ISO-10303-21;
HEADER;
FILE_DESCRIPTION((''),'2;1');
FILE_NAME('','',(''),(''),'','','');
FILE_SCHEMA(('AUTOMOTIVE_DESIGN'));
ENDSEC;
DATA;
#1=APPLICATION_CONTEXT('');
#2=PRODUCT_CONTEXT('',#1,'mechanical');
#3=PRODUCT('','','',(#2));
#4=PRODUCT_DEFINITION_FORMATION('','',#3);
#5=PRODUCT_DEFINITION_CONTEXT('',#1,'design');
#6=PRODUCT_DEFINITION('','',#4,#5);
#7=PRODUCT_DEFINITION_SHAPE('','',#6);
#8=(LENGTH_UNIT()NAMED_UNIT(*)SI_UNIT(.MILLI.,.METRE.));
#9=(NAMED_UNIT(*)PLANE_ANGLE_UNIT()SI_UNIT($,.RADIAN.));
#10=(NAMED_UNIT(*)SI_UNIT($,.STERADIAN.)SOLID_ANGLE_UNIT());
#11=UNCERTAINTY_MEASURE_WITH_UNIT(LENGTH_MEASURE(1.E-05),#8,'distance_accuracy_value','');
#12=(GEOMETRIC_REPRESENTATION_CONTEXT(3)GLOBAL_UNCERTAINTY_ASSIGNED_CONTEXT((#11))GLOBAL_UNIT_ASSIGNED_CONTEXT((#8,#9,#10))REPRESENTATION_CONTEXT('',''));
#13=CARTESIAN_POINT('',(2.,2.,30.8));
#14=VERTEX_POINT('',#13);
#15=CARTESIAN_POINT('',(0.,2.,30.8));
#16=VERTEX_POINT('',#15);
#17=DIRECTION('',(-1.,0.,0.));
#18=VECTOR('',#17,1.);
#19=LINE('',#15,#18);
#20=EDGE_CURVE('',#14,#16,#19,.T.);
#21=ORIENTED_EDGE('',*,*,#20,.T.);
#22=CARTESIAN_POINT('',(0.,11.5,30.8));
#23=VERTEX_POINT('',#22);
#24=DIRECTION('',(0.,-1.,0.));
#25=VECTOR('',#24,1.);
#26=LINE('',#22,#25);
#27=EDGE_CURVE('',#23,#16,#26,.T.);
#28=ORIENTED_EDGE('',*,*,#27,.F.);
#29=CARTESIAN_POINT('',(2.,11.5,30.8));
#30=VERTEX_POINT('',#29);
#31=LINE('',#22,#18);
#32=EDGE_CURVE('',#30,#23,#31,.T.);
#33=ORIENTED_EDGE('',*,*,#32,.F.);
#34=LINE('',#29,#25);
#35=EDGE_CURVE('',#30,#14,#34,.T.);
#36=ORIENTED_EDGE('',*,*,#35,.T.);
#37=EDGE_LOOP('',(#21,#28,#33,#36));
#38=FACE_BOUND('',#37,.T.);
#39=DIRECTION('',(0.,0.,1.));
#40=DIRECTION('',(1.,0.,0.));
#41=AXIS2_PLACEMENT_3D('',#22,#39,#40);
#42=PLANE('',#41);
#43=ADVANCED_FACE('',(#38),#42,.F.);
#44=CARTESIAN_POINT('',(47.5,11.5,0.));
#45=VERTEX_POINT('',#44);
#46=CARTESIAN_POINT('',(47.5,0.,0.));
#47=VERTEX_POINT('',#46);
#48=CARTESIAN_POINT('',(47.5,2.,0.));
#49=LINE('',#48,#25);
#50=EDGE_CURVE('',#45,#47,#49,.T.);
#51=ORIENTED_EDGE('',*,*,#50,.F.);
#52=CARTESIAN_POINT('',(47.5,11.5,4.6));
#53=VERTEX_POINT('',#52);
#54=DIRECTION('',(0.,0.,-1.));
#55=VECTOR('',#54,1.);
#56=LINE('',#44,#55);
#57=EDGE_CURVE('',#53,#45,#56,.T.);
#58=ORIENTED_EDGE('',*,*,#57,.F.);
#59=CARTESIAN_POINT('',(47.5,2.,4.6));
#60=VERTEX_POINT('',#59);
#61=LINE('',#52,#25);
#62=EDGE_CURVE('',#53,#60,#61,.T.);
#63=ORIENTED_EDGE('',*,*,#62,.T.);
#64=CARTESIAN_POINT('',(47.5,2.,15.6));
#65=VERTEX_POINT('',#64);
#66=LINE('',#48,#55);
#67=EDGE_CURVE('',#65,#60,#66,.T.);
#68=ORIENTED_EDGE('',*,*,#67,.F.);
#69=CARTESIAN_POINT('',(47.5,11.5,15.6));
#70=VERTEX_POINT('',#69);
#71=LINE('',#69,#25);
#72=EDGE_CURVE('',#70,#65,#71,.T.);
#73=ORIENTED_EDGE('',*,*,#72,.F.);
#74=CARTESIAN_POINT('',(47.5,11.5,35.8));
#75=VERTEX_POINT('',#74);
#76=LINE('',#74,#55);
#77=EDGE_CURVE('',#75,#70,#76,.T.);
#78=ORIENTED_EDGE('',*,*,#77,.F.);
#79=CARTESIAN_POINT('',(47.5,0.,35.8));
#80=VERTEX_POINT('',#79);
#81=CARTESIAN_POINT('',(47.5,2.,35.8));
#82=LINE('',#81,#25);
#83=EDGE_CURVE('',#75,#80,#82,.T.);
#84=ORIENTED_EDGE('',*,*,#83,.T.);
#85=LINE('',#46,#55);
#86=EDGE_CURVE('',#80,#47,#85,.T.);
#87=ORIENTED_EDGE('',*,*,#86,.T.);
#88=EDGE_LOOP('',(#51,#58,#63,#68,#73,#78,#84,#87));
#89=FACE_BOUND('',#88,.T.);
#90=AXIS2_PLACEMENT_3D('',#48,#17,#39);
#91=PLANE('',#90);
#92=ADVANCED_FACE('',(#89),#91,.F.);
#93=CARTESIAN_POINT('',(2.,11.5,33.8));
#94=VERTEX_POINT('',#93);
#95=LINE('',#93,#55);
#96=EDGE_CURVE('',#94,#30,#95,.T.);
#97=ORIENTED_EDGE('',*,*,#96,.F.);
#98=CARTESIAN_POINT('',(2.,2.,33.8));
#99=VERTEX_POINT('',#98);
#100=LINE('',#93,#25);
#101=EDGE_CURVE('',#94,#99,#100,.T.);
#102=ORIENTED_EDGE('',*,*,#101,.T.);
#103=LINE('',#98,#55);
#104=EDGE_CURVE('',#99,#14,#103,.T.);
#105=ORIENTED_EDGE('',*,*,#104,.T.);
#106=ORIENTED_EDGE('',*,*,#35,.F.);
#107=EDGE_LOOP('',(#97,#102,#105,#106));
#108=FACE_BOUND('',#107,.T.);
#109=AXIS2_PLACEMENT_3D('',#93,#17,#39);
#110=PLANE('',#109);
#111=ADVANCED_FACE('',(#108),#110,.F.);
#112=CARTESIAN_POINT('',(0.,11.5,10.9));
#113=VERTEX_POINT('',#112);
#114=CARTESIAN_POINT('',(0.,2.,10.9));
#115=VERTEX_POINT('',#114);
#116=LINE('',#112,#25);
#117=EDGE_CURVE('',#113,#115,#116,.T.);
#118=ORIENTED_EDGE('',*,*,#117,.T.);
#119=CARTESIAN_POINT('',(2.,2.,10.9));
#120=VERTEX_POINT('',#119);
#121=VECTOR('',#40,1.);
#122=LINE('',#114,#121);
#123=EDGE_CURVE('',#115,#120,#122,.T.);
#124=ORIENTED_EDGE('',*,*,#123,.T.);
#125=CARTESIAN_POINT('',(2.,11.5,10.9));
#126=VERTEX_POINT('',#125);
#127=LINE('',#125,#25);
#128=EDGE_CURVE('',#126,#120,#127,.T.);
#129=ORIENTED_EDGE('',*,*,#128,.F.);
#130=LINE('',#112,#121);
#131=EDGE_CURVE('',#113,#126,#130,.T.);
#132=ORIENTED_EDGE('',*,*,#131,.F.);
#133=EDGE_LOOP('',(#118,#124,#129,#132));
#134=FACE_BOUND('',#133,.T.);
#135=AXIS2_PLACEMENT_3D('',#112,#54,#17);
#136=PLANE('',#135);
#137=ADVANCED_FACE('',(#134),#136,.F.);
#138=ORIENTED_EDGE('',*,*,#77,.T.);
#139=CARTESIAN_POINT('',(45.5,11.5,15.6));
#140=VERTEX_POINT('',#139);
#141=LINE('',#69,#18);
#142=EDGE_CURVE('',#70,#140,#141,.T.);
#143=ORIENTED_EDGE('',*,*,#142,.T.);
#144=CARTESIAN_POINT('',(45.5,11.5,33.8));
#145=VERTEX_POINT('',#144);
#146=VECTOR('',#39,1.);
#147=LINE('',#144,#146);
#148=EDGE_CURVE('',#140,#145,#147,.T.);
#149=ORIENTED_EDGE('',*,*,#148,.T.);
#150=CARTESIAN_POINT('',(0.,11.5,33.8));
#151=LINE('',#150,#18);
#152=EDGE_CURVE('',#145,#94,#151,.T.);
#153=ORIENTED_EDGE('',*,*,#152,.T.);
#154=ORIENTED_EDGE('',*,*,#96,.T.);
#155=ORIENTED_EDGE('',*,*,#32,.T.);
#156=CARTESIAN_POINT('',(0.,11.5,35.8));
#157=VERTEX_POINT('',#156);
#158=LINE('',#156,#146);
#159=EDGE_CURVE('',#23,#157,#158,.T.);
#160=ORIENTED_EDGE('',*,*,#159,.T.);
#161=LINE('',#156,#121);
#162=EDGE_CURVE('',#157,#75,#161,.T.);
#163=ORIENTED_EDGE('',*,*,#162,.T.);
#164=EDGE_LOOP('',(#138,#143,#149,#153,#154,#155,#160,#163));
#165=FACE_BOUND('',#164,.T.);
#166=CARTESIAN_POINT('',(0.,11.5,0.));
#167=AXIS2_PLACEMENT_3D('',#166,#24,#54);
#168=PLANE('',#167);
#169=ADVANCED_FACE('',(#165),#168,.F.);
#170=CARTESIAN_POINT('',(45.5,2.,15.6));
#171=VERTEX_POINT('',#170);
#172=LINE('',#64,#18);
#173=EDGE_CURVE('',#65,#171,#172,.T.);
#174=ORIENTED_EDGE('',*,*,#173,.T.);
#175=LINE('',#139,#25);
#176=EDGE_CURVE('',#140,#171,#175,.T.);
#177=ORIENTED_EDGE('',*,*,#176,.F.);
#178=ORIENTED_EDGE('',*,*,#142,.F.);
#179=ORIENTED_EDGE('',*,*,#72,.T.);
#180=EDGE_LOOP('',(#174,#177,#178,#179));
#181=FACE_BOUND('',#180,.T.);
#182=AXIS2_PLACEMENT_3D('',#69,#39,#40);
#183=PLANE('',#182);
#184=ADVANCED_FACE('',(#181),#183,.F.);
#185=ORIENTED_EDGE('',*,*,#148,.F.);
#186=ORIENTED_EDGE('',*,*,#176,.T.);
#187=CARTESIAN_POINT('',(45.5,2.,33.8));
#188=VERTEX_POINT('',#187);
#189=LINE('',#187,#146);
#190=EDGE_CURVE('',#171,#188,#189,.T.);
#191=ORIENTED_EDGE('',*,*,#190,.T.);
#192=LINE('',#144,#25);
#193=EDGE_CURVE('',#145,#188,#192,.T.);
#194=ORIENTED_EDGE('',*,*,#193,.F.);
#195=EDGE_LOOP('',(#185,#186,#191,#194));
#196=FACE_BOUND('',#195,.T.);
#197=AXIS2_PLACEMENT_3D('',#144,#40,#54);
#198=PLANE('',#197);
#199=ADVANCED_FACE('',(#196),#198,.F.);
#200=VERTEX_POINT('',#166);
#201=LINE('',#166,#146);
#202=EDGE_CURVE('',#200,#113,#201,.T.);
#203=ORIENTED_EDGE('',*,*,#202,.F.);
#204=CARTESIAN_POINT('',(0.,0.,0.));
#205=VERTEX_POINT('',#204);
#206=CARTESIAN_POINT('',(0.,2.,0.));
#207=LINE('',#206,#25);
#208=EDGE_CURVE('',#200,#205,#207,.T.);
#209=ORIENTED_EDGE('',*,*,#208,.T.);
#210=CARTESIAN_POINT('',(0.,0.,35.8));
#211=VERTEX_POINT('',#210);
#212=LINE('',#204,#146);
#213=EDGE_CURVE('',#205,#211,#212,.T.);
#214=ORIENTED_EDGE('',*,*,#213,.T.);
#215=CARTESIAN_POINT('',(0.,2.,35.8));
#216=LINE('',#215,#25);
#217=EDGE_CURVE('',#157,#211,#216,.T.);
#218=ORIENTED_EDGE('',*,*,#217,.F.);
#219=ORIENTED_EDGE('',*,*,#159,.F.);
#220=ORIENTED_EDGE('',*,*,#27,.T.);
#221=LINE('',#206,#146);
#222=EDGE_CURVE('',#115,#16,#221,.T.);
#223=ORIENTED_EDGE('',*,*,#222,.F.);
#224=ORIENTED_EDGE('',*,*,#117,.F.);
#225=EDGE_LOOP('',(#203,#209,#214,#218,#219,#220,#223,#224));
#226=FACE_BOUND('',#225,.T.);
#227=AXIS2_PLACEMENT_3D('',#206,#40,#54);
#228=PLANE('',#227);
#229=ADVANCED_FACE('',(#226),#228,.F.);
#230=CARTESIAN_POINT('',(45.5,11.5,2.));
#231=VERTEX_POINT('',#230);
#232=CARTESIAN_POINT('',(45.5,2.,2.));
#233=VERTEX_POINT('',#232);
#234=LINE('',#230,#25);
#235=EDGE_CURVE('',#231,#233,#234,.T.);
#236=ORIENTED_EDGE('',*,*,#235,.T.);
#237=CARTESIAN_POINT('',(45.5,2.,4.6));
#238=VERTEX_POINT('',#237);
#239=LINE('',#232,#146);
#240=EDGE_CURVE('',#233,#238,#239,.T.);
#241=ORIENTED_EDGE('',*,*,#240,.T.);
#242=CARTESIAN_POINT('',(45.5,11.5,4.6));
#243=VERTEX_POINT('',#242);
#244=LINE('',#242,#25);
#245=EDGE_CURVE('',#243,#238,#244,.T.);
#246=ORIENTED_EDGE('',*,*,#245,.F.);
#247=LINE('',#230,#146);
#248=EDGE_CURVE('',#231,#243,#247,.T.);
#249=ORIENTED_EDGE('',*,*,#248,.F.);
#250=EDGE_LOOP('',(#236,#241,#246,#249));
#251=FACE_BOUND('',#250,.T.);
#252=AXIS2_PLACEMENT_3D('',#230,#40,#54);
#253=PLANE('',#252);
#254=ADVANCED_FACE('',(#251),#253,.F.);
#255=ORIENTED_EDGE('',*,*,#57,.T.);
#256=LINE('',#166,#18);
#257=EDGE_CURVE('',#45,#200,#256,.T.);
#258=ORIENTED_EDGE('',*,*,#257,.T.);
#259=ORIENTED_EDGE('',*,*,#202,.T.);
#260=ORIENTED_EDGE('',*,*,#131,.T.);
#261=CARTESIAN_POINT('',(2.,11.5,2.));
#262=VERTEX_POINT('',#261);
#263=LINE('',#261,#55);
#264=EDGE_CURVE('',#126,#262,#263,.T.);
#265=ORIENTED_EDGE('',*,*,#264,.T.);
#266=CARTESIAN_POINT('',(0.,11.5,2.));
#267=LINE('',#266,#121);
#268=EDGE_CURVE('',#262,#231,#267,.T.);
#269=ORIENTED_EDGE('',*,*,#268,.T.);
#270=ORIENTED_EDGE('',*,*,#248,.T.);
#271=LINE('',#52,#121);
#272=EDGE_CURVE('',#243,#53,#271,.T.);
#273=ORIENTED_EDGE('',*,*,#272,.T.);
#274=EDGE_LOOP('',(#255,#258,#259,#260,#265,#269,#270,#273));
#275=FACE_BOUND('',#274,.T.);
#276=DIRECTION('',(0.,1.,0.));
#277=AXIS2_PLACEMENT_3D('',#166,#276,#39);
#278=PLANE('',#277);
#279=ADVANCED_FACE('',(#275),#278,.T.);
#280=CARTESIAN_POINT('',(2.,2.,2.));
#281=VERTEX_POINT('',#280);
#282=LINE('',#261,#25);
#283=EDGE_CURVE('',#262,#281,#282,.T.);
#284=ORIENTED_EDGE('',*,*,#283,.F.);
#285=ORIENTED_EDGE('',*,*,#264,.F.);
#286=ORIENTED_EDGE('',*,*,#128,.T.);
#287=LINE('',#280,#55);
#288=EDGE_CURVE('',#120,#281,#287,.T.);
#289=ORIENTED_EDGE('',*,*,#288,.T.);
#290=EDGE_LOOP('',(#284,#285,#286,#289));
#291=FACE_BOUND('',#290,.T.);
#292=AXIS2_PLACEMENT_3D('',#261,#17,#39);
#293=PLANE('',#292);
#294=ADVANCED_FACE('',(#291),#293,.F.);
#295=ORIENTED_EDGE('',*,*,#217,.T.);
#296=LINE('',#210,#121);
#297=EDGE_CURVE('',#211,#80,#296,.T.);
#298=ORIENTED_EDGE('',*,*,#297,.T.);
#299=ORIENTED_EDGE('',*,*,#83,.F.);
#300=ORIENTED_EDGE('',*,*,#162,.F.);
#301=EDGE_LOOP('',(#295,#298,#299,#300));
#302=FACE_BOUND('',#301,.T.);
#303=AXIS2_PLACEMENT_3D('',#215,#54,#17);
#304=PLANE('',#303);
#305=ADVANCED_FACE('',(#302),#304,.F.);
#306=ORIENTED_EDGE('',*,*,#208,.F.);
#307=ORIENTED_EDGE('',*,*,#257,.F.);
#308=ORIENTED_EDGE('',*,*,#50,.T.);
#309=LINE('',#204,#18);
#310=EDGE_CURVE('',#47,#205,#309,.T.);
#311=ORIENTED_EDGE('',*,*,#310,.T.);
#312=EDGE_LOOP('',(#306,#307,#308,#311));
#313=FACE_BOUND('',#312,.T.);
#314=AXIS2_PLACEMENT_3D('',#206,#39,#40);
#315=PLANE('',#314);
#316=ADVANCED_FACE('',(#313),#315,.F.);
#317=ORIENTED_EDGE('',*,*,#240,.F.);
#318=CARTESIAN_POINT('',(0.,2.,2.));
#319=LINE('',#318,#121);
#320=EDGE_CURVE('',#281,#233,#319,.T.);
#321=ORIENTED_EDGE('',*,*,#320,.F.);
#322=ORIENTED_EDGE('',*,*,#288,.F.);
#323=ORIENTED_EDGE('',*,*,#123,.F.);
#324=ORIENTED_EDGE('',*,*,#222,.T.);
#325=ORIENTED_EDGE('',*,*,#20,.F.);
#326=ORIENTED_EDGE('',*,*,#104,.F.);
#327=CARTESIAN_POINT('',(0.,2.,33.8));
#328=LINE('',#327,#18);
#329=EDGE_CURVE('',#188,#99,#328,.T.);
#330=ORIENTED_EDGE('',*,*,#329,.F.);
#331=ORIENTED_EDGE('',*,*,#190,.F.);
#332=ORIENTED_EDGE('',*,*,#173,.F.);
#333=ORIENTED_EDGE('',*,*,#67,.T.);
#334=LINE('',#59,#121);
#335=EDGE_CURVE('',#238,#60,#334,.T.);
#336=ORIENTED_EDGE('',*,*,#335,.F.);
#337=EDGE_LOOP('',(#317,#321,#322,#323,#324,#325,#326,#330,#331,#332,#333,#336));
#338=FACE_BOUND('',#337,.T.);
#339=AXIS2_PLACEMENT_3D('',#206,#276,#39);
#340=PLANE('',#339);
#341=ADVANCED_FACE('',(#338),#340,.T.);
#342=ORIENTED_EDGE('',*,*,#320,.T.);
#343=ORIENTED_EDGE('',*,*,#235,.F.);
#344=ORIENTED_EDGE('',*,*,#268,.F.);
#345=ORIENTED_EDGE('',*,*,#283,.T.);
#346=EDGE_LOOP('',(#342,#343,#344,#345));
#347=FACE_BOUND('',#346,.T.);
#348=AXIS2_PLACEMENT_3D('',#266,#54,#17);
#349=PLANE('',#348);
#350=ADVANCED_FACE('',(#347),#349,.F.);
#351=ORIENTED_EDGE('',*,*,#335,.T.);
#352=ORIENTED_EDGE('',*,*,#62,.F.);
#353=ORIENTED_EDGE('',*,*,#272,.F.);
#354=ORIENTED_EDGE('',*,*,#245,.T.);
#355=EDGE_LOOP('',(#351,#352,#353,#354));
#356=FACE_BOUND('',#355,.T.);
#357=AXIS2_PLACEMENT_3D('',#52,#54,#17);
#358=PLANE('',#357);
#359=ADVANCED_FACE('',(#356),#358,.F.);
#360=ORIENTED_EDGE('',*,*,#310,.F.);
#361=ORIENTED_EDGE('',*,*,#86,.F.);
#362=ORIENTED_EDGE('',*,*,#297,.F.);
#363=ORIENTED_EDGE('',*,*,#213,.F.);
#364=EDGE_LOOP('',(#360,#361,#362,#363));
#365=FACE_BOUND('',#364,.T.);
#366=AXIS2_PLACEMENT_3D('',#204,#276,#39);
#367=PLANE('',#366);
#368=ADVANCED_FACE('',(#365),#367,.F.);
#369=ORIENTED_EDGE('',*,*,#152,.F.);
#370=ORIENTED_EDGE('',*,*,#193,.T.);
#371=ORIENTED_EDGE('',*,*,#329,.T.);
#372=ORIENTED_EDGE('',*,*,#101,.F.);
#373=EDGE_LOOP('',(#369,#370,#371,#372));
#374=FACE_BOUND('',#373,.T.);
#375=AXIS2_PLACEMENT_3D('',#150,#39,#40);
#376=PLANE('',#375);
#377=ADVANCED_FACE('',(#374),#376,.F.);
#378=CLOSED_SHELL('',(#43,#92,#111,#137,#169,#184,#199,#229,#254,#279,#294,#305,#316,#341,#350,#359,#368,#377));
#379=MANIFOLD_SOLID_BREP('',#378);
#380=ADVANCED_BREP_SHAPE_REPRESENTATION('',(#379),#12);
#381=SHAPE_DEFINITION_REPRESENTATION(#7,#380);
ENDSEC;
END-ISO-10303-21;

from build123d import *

# Parameters (mm, degrees)
ESQUISSE1_W        = 47.5
ESQUISSE1_H        = 35.8
BOSS_EXTRU_2_DEPTH = 2
ESQUISSE2_W        = 47.5
ESQUISSE2_H        = 2
BOSS_EXTRU_3_DEPTH = 9.5
ESQUISSE3_W        = 47.5
ESQUISSE3_H        = 2
BOSS_EXTRU_4_DEPTH = 9.5
ESQUISSE4_W        = 2
ESQUISSE4_H        = 2.6
BOSS_EXTRU_5_DEPTH = 9.5
ESQUISSE5_W        = 2
ESQUISSE5_H        = 18.2
BOSS_EXTRU_6_DEPTH = 9.5
ESQUISSE6_W        = 2
ESQUISSE6_H        = 8.9
BOSS_EXTRU_7_DEPTH = 9.5
ESQUISSE8_W        = 2
ESQUISSE8_H        = 3
BOSS_EXTRU_8_DEPTH = 9.5


with BuildPart() as part:
    # Esquisse1 → Boss.-Extru.2 (new body)
    with BuildSketch(Plane(origin=(0, 0, 0), x_dir=(1, 0, 0), z_dir=(0, 1, 0))):
        with Locations((23.75, -17.9)):
            Rectangle(ESQUISSE1_W, ESQUISSE1_H)
    extrude(amount=BOSS_EXTRU_2_DEPTH)

    # Esquisse2 → Boss.-Extru.3 (add)
    with BuildSketch(Plane(origin=(0, 2, 0), x_dir=(1, 0, 0), z_dir=(0, 1, 0))):
        with Locations((23.75, -34.8)):
            Rectangle(ESQUISSE2_W, ESQUISSE2_H)
    extrude(amount=BOSS_EXTRU_3_DEPTH)

    # Esquisse3 → Boss.-Extru.4 (add)
    with BuildSketch(Plane(origin=(0, 2, 0), x_dir=(1, 0, 0), z_dir=(0, 1, 0))):
        with Locations((23.75, -1)):
            Rectangle(ESQUISSE3_W, ESQUISSE3_H)
    extrude(amount=BOSS_EXTRU_4_DEPTH)

    # Esquisse4 → Boss.-Extru.5 (add)
    with BuildSketch(Plane(origin=(0, 2, 0), x_dir=(1, 0, 0), z_dir=(0, 1, 0))):
        with Locations((46.5, -3.3)):
            Rectangle(ESQUISSE4_W, ESQUISSE4_H)
    extrude(amount=BOSS_EXTRU_5_DEPTH)

    # Esquisse5 → Boss.-Extru.6 (add)
    with BuildSketch(Plane(origin=(0, 2, 0), x_dir=(1, 0, 0), z_dir=(0, 1, 0))):
        with Locations((46.5, -24.7)):
            Rectangle(ESQUISSE5_W, ESQUISSE5_H)
    extrude(amount=BOSS_EXTRU_6_DEPTH)

    # Esquisse6 → Boss.-Extru.7 (add)
    with BuildSketch(Plane(origin=(0, 2, 0), x_dir=(1, 0, 0), z_dir=(0, 1, 0))):
        with Locations((1, -6.45)):
            Rectangle(ESQUISSE6_W, ESQUISSE6_H)
    extrude(amount=BOSS_EXTRU_7_DEPTH)

    # Esquisse8 → Boss.-Extru.8 (add)
    with BuildSketch(Plane(origin=(0, 2, 0), x_dir=(1, 0, 0), z_dir=(0, 1, 0))):
        with Locations((1, -32.3)):
            Rectangle(ESQUISSE8_W, ESQUISSE8_H)
    extrude(amount=BOSS_EXTRU_8_DEPTH)


solid = part.part
